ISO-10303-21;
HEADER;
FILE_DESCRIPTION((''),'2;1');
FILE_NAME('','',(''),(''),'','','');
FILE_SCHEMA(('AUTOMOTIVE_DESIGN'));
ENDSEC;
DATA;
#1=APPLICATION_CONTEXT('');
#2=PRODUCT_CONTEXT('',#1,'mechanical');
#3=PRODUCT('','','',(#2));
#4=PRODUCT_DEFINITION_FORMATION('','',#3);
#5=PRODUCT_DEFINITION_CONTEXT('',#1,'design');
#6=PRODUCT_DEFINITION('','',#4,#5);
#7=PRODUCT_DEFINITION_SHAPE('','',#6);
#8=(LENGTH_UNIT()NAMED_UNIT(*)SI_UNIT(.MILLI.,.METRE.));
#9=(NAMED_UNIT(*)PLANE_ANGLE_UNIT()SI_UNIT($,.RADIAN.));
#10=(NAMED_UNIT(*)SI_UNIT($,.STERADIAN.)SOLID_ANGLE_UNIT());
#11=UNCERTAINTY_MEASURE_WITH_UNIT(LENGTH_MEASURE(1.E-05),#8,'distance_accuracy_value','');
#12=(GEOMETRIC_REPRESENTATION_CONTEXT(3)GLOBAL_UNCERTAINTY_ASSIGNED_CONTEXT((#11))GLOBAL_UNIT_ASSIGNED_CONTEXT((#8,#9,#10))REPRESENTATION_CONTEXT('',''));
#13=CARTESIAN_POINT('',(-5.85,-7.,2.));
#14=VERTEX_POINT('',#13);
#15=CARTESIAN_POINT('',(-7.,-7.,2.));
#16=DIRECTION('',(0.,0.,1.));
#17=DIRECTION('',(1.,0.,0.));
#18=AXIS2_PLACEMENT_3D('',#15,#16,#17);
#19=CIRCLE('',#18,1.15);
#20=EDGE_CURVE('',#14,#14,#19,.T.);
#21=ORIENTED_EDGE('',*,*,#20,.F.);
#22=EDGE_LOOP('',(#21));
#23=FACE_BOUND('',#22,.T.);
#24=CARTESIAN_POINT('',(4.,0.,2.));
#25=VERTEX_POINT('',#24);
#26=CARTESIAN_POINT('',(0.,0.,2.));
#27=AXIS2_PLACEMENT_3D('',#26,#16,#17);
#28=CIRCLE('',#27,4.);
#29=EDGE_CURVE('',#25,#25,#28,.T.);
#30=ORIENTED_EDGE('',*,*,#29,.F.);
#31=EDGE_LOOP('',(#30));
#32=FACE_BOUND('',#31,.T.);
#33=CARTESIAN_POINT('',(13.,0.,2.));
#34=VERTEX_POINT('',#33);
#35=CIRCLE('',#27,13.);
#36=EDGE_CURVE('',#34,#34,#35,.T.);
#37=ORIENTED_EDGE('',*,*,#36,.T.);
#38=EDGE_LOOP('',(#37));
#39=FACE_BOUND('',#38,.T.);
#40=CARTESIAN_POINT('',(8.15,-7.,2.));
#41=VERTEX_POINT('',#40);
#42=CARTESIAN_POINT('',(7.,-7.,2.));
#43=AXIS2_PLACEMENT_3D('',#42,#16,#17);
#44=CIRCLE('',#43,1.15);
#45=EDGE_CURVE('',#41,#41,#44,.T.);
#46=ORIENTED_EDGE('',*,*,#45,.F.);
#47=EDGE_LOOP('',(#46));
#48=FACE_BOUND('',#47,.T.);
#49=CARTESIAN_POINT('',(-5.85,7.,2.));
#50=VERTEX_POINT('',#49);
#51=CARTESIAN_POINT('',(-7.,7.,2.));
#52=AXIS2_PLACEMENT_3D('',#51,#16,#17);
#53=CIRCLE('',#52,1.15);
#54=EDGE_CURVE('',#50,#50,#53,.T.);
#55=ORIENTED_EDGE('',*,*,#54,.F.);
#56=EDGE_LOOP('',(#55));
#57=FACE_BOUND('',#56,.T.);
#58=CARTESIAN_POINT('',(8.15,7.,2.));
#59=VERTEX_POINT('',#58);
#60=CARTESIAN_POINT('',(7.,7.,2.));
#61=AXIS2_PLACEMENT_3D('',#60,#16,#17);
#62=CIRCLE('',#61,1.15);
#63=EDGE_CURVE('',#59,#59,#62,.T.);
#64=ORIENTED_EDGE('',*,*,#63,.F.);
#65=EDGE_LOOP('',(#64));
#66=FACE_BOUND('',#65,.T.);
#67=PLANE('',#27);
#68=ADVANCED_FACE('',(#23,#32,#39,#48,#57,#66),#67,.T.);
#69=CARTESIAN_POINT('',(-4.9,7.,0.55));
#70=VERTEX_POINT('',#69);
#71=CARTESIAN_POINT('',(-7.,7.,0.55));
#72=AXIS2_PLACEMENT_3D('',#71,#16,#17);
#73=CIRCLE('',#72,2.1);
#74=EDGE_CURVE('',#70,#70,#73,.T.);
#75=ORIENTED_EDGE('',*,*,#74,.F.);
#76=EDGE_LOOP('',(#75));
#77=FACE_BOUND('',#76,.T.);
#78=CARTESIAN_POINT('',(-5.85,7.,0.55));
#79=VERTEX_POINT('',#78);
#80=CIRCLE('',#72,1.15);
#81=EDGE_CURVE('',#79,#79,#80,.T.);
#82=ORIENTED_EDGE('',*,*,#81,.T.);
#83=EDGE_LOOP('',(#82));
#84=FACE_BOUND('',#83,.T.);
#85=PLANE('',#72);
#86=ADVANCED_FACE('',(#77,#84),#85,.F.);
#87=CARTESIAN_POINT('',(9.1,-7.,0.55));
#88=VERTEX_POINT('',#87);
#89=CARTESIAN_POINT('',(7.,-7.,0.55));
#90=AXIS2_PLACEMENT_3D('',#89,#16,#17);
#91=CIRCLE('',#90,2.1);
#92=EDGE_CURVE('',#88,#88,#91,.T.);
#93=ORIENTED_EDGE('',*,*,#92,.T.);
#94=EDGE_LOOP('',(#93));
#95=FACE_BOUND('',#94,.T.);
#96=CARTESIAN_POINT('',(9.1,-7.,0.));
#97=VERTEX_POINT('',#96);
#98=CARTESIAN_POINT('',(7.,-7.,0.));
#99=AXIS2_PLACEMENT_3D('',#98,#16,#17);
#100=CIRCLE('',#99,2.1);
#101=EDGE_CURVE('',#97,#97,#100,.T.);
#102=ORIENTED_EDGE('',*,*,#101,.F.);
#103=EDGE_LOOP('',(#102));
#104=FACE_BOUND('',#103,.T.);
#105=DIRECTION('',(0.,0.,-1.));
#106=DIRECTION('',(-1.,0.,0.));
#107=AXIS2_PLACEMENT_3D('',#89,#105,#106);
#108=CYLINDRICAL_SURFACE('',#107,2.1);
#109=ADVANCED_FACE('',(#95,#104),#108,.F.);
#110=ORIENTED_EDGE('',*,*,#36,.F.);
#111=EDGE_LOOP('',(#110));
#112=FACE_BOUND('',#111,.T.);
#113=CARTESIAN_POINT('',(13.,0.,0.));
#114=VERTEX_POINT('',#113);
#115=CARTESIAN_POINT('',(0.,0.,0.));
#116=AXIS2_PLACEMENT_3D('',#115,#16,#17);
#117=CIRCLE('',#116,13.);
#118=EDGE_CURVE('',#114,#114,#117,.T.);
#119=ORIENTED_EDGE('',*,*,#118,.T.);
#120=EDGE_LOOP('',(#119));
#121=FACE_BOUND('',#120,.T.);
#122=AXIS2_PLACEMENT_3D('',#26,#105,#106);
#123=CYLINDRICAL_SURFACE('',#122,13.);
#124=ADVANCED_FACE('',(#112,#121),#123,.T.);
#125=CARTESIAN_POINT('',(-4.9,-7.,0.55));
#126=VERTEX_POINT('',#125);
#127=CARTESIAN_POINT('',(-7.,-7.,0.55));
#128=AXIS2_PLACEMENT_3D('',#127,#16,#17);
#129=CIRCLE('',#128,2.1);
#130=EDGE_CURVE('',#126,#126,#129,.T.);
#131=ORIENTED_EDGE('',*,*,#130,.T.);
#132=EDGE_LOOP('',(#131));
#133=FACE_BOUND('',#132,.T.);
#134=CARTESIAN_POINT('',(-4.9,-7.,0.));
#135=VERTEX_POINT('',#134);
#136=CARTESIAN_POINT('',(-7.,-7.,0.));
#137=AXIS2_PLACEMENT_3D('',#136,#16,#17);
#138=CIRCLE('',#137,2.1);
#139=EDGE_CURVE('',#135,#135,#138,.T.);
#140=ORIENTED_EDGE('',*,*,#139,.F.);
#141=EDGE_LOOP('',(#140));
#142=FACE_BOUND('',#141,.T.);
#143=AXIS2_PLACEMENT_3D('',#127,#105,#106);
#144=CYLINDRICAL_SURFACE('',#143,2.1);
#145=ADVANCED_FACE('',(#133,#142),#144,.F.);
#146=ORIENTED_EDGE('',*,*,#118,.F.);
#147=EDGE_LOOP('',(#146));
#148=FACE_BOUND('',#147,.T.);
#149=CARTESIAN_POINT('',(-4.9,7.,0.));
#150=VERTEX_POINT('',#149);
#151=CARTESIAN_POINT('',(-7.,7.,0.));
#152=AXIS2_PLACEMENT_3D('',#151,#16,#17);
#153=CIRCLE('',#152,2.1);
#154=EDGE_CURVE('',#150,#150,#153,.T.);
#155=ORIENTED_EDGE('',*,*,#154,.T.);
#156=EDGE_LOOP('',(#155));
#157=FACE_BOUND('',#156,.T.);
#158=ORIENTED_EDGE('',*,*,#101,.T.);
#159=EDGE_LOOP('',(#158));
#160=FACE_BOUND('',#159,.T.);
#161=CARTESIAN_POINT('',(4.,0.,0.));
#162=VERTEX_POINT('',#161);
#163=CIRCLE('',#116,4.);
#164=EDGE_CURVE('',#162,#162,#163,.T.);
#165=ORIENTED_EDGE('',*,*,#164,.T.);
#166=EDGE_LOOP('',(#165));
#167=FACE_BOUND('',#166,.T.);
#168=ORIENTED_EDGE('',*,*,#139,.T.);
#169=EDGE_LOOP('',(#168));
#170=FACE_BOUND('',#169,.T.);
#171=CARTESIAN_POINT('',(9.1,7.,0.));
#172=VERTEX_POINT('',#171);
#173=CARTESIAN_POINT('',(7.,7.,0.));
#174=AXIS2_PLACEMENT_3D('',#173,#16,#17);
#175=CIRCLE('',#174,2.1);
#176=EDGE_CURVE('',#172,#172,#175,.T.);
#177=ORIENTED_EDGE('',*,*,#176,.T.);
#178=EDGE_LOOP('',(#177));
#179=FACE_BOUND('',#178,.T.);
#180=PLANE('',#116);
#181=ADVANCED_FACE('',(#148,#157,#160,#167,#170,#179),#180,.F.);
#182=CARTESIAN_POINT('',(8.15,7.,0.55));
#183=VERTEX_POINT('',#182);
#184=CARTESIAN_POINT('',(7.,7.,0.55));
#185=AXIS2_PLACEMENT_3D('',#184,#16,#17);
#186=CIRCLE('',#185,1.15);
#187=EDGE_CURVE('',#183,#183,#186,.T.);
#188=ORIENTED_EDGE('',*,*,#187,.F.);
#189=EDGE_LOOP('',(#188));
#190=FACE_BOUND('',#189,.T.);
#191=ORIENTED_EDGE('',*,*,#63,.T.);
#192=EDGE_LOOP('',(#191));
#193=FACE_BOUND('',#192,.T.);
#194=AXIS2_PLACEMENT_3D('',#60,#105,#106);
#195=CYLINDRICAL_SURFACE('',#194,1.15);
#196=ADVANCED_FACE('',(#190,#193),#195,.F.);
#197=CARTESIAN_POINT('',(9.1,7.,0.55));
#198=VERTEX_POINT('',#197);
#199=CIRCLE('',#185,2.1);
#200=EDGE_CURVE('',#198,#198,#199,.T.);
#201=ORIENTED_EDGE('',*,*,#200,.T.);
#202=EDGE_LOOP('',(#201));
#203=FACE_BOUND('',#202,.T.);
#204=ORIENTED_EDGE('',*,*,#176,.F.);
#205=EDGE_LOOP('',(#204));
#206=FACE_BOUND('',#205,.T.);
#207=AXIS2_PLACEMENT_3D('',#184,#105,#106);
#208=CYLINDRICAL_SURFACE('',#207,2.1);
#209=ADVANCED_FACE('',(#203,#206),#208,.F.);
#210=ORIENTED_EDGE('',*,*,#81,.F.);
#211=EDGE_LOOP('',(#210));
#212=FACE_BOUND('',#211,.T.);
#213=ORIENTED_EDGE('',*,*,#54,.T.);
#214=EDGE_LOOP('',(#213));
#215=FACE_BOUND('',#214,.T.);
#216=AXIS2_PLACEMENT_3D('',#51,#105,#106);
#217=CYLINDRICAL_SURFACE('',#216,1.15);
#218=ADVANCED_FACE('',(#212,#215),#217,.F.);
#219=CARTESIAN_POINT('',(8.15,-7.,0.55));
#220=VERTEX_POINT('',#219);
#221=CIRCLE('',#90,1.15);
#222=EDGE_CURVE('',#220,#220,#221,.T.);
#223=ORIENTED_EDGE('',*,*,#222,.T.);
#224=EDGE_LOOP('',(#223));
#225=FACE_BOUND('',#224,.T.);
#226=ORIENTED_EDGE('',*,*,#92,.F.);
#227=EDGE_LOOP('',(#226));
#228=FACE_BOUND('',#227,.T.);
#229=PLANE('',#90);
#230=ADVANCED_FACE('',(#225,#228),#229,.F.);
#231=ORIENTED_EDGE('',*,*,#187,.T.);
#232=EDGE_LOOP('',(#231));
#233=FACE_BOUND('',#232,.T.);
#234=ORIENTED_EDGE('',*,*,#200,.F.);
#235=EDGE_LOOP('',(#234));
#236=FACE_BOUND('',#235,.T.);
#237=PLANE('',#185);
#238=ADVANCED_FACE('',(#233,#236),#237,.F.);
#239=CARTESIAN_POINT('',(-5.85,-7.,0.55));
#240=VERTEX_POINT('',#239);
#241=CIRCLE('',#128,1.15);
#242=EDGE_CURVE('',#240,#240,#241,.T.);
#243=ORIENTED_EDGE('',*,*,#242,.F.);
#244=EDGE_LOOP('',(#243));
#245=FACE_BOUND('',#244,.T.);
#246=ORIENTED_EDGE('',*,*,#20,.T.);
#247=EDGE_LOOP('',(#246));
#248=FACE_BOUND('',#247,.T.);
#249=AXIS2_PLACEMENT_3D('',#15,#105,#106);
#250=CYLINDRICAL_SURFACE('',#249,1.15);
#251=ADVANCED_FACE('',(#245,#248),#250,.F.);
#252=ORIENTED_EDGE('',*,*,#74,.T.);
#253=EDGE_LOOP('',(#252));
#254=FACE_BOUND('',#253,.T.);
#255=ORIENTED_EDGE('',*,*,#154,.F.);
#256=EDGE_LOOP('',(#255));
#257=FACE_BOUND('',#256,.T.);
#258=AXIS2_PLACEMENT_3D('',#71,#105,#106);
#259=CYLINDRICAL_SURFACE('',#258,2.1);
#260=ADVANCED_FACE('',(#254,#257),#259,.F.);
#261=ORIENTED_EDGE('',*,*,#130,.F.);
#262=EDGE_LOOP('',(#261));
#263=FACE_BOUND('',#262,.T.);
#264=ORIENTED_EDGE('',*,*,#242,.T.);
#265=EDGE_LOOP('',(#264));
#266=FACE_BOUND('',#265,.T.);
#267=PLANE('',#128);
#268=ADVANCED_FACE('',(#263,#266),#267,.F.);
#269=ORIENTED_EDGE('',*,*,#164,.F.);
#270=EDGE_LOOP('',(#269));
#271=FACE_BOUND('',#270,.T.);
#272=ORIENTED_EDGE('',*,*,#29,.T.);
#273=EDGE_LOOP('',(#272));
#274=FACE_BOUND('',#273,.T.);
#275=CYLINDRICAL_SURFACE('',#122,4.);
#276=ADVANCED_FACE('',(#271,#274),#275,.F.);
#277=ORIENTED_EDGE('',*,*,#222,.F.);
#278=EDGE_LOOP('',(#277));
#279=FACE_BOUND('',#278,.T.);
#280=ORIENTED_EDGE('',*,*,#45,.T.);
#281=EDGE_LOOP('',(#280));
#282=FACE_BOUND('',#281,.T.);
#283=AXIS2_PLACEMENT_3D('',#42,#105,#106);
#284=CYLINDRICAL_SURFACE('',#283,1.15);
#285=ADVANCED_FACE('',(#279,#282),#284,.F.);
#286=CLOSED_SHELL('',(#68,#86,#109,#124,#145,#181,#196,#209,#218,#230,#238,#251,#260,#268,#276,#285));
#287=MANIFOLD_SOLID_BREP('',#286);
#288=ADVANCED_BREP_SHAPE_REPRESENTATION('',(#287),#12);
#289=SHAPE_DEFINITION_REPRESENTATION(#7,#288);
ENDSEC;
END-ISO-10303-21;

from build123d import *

# Parameters (mm, degrees)
CAP_OD26_ID8_THICKNESS2_PROFILE_R   = 13
CAP_OD26_ID8_THICKNESS2_PROFILE_R_2 = 4
CAP_OD26_ID8_THICKNESS2_DEPTH       = 2
FOUR_M2_CAPTURE_HOLES_START         = -50
FOUR_M2_CAPTURE_HOLES_PROFILE_R     = 1.15
FOUR_M2_CAPTURE_HOLES_DEPTH         = 69.493242009
LOW_PROFILE_HEAD_SEATS_R            = 2.1
HEAD_RECESS_DEPTH0P55_DEPTH         = 0.55


with BuildPart() as part:
    # Cap_OD26_ID8_thickness2_profile → Cap_OD26_ID8_thickness2 (new body)
    with BuildSketch(Plane.XY):
        Circle(CAP_OD26_ID8_THICKNESS2_PROFILE_R)
        Circle(CAP_OD26_ID8_THICKNESS2_PROFILE_R_2, mode=Mode.SUBTRACT)
    extrude(amount=CAP_OD26_ID8_THICKNESS2_DEPTH)

    # Four_M2_capture_holes_profile → Four_M2_capture_holes (cut, through all)
    with BuildSketch(Plane.XY.offset(FOUR_M2_CAPTURE_HOLES_START)):
        with Locations((7, 7)):
            Circle(FOUR_M2_CAPTURE_HOLES_PROFILE_R)
        with Locations((-7, 7)):
            Circle(FOUR_M2_CAPTURE_HOLES_PROFILE_R)
        with Locations((-7, -7)):
            Circle(FOUR_M2_CAPTURE_HOLES_PROFILE_R)
        with Locations((7, -7)):
            Circle(FOUR_M2_CAPTURE_HOLES_PROFILE_R)
    extrude(amount=FOUR_M2_CAPTURE_HOLES_DEPTH, mode=Mode.SUBTRACT)

    # Low_profile_head_seats → Head_recess_depth0p55 (cut)
    with BuildSketch(Plane.XY):
        with Locations((7, 7)):
            Circle(LOW_PROFILE_HEAD_SEATS_R)
        with Locations((-7, 7)):
            Circle(LOW_PROFILE_HEAD_SEATS_R)
        with Locations((-7, -7)):
            Circle(LOW_PROFILE_HEAD_SEATS_R)
        with Locations((7, -7)):
            Circle(LOW_PROFILE_HEAD_SEATS_R)
    extrude(amount=HEAD_RECESS_DEPTH0P55_DEPTH, mode=Mode.SUBTRACT)


solid = part.part
